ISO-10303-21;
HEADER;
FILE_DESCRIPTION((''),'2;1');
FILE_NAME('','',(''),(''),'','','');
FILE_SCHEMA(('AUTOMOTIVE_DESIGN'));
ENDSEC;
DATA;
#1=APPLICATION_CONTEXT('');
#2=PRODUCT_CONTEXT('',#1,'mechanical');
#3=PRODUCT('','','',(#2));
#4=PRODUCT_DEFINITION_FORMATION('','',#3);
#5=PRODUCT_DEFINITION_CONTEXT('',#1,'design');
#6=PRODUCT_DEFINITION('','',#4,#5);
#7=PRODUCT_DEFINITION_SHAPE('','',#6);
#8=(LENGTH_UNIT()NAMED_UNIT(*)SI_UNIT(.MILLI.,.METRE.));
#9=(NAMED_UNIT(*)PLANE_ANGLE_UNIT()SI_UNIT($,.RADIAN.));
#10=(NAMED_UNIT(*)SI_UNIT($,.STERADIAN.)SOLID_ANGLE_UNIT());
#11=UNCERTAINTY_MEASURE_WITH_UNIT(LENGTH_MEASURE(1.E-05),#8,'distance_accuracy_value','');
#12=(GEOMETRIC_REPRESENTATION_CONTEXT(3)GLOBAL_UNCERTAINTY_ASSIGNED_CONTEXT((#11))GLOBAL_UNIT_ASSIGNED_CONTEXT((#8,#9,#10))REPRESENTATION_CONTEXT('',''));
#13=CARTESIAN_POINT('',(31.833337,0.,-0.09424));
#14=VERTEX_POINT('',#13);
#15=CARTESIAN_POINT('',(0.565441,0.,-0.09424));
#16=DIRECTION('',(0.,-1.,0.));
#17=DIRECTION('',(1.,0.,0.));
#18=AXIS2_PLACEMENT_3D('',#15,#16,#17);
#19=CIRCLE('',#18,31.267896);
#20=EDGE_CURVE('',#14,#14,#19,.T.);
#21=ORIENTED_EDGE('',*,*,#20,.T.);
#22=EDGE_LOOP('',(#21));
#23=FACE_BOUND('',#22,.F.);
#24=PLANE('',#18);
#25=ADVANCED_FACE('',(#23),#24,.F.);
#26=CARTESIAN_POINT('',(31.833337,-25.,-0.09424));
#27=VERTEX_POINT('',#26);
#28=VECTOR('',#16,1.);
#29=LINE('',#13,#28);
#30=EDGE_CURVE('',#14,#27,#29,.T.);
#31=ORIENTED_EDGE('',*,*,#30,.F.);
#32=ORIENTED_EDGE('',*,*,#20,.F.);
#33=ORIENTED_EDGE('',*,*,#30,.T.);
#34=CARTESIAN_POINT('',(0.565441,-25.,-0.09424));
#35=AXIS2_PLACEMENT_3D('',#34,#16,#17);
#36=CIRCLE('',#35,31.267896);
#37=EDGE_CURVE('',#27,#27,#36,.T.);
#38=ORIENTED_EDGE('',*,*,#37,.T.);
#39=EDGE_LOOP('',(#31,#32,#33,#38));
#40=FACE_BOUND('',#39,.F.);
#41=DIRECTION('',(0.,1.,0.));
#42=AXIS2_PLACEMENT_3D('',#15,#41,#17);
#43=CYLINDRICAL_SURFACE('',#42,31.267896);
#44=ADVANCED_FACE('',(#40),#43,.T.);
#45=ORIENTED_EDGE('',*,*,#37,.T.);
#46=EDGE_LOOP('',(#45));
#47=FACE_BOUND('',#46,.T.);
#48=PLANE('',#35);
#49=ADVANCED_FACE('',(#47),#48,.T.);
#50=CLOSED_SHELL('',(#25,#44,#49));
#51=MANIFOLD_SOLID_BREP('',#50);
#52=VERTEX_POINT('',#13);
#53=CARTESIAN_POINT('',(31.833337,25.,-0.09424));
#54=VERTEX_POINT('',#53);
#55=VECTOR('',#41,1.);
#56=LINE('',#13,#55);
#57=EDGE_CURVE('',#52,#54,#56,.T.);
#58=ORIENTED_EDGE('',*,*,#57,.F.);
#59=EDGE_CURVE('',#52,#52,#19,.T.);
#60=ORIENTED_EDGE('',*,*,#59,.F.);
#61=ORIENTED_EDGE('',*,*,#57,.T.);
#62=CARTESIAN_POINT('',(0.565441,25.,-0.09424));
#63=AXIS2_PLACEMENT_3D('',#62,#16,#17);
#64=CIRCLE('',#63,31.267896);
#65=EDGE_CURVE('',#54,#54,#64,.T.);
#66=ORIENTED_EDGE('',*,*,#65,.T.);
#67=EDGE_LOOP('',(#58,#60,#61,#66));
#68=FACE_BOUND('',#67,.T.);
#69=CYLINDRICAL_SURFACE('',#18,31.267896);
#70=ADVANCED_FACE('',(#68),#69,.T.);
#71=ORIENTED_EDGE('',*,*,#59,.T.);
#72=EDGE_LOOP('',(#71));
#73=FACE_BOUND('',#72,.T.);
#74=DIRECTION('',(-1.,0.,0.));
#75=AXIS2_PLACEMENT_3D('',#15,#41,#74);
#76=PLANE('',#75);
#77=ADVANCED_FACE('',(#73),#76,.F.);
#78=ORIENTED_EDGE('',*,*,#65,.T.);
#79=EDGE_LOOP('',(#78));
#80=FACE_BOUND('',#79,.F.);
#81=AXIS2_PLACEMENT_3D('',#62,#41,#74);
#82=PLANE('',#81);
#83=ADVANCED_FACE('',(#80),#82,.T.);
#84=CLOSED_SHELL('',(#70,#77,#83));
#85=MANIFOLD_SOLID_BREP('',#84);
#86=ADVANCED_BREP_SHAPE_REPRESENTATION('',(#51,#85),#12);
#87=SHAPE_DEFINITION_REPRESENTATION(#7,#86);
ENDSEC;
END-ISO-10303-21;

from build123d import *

# Parameters (mm, degrees)
F0_R     = 31.267896
F1_DEPTH = 25


with BuildPart() as f1:
    # F0 (on Front) → F1 (new body)
    with BuildSketch(Plane.XZ):
        with Locations((0.565441, -0.09424)):
            Circle(F0_R)
    extrude(amount=F1_DEPTH)


with BuildPart() as f2_1:
    # F2: instance of F1
    add(f1.part.mirror(Plane.XZ))


solid = Compound([f1.part, f2_1.part])
